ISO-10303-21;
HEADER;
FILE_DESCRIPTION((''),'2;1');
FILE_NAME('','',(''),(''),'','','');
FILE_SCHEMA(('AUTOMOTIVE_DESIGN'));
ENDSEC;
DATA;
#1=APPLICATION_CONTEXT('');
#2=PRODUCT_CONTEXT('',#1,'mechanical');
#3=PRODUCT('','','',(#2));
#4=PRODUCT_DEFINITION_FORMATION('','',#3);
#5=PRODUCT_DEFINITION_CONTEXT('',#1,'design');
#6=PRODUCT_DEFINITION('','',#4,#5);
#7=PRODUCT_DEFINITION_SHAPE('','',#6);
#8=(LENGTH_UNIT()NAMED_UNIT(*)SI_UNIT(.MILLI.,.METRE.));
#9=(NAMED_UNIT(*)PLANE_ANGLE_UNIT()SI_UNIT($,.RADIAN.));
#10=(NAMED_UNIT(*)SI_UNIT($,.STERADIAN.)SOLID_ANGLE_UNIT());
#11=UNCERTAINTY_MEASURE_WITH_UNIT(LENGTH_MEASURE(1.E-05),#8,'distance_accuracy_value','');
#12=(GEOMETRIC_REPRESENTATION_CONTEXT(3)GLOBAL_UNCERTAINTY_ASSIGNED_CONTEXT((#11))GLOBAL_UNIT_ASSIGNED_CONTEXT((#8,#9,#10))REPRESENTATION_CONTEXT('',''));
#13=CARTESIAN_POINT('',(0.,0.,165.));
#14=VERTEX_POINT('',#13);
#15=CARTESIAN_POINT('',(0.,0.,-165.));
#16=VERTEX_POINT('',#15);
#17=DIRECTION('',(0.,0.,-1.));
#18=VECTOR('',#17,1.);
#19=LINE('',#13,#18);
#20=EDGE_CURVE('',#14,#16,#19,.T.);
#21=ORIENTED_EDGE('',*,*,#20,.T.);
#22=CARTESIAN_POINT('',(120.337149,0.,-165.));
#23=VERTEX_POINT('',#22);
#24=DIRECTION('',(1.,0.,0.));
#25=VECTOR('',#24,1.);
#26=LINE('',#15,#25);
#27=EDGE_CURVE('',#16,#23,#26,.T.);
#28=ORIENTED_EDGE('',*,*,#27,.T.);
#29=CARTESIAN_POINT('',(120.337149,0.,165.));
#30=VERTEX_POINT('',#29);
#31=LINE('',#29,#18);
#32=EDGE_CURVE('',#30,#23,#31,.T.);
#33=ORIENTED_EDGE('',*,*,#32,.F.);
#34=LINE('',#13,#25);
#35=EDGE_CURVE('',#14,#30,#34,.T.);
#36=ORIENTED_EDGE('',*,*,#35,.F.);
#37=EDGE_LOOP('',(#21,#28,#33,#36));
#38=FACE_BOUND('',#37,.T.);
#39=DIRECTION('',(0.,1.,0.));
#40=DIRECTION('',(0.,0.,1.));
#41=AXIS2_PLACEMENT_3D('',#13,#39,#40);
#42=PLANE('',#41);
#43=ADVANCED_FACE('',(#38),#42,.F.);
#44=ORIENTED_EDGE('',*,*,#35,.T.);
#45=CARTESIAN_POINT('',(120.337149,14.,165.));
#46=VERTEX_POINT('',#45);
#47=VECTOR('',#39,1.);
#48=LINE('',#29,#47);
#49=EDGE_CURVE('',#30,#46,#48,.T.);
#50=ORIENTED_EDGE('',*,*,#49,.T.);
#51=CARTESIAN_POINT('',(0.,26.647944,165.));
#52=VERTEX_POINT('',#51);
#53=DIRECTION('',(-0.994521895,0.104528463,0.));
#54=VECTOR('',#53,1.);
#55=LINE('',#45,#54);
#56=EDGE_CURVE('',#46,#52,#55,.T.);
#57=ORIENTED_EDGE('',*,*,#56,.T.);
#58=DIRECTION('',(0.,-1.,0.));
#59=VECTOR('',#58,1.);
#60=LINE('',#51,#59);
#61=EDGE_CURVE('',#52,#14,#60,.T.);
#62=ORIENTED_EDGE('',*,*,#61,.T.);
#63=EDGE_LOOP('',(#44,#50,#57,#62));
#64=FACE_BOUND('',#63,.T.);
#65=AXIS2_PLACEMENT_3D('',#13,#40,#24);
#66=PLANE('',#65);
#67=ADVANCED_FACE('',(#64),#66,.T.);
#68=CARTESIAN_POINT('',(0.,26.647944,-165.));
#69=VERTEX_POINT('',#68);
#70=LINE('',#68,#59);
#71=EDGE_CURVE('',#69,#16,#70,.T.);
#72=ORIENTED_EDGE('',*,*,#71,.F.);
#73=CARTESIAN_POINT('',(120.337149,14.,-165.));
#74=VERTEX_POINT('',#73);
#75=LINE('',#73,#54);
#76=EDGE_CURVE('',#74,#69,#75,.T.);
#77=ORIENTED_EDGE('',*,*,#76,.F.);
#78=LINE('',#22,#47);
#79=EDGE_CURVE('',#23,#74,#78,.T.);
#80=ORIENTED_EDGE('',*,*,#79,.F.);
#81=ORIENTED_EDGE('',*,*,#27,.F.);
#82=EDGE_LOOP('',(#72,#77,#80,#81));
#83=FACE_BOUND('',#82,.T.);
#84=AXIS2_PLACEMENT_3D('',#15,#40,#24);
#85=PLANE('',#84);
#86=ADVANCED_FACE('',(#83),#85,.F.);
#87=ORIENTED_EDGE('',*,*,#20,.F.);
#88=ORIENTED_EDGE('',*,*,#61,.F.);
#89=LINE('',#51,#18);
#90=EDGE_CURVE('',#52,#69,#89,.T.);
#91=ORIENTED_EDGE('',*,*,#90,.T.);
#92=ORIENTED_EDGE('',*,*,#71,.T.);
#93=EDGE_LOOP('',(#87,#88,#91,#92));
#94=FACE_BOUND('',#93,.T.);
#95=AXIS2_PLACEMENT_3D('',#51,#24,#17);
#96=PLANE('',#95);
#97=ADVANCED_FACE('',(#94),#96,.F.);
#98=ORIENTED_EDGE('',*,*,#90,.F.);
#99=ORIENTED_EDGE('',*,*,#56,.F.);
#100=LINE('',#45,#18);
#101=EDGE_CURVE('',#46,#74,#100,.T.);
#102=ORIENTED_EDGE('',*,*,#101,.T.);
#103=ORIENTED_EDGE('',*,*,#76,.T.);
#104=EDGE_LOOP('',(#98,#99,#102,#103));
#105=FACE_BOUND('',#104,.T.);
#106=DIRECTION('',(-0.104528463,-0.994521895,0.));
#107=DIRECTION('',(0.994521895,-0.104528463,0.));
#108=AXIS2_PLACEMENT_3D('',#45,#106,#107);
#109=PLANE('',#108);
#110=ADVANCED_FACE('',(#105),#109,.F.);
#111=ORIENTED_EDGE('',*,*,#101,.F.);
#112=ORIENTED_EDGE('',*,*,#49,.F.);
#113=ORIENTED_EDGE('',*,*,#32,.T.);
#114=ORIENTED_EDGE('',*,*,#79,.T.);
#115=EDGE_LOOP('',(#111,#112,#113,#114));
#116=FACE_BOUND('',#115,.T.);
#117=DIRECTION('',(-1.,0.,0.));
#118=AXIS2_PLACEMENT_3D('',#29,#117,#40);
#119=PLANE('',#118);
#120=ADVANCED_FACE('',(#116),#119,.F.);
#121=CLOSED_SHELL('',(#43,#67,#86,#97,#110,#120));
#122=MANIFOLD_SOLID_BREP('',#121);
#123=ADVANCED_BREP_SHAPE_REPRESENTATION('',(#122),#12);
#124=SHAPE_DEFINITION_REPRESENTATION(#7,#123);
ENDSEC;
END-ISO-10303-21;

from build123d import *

# Parameters (mm, degrees)
BOSS_EXTRUDE1_DEPTH = 165


with BuildPart() as part:
    # Sketch1 → Boss-Extrude1 (new, symmetric)
    with BuildSketch(Plane.XY):
        Polygon((0, 0), (120.33714934, 0), (120.33714934, 14), (0, 26.647944055), align=None)
    extrude(amount=BOSS_EXTRUDE1_DEPTH, both=True)


solid = part.part
